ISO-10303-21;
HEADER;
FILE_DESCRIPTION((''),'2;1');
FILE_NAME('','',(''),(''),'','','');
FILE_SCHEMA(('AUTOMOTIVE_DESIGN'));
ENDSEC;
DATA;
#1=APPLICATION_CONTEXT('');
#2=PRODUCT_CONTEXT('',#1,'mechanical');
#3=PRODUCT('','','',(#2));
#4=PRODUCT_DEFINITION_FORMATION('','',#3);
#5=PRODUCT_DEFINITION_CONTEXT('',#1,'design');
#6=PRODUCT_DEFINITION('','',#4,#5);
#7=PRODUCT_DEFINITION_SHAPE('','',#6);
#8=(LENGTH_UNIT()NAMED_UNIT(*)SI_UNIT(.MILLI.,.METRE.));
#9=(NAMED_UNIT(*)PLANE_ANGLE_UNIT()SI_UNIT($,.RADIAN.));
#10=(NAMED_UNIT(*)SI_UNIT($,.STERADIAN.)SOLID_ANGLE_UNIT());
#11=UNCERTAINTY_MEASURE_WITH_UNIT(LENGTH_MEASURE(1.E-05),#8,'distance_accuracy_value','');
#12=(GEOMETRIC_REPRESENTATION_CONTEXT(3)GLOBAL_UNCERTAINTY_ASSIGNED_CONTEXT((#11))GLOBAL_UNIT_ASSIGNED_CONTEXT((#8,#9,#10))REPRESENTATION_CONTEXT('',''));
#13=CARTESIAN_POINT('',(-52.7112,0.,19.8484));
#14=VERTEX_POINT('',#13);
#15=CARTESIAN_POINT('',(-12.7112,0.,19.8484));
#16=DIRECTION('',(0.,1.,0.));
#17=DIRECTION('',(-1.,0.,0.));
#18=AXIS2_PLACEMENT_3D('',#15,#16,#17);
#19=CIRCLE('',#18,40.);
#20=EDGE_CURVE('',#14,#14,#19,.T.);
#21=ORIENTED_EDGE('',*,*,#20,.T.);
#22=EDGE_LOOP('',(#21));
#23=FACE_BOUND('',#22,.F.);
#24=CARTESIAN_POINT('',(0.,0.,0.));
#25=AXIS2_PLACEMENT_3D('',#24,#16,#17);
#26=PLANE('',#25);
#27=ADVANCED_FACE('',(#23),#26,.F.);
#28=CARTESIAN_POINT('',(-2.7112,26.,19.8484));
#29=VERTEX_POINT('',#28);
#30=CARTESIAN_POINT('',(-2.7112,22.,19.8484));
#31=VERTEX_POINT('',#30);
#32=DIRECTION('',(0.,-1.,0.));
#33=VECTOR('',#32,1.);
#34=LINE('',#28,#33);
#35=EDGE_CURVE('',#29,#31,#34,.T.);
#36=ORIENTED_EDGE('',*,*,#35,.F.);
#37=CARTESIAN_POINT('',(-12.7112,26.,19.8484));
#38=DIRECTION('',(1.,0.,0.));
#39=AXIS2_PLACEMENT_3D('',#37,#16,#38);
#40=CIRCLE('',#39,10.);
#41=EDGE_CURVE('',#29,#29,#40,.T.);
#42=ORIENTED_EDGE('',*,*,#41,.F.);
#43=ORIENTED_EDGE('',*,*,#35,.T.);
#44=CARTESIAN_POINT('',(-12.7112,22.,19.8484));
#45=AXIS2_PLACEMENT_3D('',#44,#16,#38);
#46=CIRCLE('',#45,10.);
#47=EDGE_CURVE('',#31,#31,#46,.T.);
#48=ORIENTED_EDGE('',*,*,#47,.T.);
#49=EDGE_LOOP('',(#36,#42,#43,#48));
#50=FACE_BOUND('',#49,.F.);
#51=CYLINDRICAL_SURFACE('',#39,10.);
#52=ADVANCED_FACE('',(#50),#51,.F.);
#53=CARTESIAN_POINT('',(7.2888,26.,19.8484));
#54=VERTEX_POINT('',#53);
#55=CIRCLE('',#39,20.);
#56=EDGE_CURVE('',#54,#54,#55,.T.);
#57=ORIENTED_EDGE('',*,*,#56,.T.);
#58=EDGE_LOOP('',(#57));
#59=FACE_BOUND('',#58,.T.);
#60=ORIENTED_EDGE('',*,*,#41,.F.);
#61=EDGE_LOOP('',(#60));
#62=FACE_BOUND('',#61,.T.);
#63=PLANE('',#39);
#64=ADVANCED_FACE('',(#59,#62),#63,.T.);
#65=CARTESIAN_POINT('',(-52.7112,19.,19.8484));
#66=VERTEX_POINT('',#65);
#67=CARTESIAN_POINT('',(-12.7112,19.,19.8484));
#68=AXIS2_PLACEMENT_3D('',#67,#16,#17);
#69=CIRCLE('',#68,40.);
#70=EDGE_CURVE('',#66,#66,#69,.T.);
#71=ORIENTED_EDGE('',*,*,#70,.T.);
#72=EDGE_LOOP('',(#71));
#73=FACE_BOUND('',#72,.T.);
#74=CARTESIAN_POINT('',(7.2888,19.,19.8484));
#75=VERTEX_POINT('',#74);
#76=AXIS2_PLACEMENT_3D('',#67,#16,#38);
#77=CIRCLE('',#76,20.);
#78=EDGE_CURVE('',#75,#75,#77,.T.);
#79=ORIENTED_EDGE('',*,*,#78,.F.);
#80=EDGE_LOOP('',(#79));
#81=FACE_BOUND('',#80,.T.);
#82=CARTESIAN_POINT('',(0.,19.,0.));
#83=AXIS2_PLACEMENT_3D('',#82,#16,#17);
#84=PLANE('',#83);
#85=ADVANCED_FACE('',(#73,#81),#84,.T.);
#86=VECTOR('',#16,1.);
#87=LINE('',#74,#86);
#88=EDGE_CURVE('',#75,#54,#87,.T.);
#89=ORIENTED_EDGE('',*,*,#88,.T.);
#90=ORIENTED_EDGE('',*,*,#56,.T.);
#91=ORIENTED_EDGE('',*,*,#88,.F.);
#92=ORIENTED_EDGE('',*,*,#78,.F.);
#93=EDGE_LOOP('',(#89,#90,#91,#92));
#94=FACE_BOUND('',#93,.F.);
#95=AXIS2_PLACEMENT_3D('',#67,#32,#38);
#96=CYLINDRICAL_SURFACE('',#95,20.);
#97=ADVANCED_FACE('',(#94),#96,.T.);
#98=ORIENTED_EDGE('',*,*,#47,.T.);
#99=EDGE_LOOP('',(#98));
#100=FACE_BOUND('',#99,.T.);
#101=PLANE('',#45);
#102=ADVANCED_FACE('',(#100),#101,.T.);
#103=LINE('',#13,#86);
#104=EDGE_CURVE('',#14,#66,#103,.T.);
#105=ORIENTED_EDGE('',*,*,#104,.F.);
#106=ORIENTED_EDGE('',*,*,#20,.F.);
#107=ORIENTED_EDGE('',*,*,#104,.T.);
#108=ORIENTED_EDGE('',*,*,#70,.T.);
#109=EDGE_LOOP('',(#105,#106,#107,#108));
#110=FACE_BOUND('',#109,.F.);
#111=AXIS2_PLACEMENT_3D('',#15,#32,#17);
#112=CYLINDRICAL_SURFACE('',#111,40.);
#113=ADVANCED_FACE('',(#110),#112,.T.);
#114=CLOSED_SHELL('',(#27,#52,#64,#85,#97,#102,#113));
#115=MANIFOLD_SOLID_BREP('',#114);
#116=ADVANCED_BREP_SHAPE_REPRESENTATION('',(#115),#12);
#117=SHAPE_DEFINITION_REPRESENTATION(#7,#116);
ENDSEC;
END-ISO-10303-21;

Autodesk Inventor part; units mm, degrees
ref_plane "YZ Plane" through (0, 0, 0) normal (1, 0, 0) x (0, 1, 0)
ref_plane "XZ Plane" through (0, 0, 0) normal (0, 1, 0) x (-1, 0, 0)
ref_plane "XY Plane" through (0, 0, 0) normal (0, 0, 1) x (1, 0, 0)
sketch "Sketch1" plane through (0, 0, 0) normal (0, 1, 0) x (-1, 0, 0)
  circle A0 centre (12.7112, 19.8484) radius 40
  point P0 (0, 0)
extrude "Extrusion1" add sketch "Sketch1" along normal blind 19
sketch "Sketch2" plane through (-12.7112, 19, 19.8484) normal (0, 1, 0) x (1, 0, 0)
  point P0 (12.7112, 19.8484)
sketch "Sketch3" plane through (-12.7112, 19, 19.8484) normal (0, 1, 0) x (1, 0, 0)
  circle A0 centre (0, 0) radius 20
  point P0 (12.7112, 19.8484)
  dimension "d3" = 40
extrude "Extrusion2" add sketch "Sketch3" along normal blind 7
sketch "Sketch4" plane through (-12.7112, 26, 19.8484) normal (0, 1, 0) x (1, 0, 0)
  circle A0 centre (0, 0) radius 10
  point P0 (12.7112, 19.8484)
  dimension "d6" = 20
extrude "Extrusion3" cut sketch "Sketch4" against normal blind 4
